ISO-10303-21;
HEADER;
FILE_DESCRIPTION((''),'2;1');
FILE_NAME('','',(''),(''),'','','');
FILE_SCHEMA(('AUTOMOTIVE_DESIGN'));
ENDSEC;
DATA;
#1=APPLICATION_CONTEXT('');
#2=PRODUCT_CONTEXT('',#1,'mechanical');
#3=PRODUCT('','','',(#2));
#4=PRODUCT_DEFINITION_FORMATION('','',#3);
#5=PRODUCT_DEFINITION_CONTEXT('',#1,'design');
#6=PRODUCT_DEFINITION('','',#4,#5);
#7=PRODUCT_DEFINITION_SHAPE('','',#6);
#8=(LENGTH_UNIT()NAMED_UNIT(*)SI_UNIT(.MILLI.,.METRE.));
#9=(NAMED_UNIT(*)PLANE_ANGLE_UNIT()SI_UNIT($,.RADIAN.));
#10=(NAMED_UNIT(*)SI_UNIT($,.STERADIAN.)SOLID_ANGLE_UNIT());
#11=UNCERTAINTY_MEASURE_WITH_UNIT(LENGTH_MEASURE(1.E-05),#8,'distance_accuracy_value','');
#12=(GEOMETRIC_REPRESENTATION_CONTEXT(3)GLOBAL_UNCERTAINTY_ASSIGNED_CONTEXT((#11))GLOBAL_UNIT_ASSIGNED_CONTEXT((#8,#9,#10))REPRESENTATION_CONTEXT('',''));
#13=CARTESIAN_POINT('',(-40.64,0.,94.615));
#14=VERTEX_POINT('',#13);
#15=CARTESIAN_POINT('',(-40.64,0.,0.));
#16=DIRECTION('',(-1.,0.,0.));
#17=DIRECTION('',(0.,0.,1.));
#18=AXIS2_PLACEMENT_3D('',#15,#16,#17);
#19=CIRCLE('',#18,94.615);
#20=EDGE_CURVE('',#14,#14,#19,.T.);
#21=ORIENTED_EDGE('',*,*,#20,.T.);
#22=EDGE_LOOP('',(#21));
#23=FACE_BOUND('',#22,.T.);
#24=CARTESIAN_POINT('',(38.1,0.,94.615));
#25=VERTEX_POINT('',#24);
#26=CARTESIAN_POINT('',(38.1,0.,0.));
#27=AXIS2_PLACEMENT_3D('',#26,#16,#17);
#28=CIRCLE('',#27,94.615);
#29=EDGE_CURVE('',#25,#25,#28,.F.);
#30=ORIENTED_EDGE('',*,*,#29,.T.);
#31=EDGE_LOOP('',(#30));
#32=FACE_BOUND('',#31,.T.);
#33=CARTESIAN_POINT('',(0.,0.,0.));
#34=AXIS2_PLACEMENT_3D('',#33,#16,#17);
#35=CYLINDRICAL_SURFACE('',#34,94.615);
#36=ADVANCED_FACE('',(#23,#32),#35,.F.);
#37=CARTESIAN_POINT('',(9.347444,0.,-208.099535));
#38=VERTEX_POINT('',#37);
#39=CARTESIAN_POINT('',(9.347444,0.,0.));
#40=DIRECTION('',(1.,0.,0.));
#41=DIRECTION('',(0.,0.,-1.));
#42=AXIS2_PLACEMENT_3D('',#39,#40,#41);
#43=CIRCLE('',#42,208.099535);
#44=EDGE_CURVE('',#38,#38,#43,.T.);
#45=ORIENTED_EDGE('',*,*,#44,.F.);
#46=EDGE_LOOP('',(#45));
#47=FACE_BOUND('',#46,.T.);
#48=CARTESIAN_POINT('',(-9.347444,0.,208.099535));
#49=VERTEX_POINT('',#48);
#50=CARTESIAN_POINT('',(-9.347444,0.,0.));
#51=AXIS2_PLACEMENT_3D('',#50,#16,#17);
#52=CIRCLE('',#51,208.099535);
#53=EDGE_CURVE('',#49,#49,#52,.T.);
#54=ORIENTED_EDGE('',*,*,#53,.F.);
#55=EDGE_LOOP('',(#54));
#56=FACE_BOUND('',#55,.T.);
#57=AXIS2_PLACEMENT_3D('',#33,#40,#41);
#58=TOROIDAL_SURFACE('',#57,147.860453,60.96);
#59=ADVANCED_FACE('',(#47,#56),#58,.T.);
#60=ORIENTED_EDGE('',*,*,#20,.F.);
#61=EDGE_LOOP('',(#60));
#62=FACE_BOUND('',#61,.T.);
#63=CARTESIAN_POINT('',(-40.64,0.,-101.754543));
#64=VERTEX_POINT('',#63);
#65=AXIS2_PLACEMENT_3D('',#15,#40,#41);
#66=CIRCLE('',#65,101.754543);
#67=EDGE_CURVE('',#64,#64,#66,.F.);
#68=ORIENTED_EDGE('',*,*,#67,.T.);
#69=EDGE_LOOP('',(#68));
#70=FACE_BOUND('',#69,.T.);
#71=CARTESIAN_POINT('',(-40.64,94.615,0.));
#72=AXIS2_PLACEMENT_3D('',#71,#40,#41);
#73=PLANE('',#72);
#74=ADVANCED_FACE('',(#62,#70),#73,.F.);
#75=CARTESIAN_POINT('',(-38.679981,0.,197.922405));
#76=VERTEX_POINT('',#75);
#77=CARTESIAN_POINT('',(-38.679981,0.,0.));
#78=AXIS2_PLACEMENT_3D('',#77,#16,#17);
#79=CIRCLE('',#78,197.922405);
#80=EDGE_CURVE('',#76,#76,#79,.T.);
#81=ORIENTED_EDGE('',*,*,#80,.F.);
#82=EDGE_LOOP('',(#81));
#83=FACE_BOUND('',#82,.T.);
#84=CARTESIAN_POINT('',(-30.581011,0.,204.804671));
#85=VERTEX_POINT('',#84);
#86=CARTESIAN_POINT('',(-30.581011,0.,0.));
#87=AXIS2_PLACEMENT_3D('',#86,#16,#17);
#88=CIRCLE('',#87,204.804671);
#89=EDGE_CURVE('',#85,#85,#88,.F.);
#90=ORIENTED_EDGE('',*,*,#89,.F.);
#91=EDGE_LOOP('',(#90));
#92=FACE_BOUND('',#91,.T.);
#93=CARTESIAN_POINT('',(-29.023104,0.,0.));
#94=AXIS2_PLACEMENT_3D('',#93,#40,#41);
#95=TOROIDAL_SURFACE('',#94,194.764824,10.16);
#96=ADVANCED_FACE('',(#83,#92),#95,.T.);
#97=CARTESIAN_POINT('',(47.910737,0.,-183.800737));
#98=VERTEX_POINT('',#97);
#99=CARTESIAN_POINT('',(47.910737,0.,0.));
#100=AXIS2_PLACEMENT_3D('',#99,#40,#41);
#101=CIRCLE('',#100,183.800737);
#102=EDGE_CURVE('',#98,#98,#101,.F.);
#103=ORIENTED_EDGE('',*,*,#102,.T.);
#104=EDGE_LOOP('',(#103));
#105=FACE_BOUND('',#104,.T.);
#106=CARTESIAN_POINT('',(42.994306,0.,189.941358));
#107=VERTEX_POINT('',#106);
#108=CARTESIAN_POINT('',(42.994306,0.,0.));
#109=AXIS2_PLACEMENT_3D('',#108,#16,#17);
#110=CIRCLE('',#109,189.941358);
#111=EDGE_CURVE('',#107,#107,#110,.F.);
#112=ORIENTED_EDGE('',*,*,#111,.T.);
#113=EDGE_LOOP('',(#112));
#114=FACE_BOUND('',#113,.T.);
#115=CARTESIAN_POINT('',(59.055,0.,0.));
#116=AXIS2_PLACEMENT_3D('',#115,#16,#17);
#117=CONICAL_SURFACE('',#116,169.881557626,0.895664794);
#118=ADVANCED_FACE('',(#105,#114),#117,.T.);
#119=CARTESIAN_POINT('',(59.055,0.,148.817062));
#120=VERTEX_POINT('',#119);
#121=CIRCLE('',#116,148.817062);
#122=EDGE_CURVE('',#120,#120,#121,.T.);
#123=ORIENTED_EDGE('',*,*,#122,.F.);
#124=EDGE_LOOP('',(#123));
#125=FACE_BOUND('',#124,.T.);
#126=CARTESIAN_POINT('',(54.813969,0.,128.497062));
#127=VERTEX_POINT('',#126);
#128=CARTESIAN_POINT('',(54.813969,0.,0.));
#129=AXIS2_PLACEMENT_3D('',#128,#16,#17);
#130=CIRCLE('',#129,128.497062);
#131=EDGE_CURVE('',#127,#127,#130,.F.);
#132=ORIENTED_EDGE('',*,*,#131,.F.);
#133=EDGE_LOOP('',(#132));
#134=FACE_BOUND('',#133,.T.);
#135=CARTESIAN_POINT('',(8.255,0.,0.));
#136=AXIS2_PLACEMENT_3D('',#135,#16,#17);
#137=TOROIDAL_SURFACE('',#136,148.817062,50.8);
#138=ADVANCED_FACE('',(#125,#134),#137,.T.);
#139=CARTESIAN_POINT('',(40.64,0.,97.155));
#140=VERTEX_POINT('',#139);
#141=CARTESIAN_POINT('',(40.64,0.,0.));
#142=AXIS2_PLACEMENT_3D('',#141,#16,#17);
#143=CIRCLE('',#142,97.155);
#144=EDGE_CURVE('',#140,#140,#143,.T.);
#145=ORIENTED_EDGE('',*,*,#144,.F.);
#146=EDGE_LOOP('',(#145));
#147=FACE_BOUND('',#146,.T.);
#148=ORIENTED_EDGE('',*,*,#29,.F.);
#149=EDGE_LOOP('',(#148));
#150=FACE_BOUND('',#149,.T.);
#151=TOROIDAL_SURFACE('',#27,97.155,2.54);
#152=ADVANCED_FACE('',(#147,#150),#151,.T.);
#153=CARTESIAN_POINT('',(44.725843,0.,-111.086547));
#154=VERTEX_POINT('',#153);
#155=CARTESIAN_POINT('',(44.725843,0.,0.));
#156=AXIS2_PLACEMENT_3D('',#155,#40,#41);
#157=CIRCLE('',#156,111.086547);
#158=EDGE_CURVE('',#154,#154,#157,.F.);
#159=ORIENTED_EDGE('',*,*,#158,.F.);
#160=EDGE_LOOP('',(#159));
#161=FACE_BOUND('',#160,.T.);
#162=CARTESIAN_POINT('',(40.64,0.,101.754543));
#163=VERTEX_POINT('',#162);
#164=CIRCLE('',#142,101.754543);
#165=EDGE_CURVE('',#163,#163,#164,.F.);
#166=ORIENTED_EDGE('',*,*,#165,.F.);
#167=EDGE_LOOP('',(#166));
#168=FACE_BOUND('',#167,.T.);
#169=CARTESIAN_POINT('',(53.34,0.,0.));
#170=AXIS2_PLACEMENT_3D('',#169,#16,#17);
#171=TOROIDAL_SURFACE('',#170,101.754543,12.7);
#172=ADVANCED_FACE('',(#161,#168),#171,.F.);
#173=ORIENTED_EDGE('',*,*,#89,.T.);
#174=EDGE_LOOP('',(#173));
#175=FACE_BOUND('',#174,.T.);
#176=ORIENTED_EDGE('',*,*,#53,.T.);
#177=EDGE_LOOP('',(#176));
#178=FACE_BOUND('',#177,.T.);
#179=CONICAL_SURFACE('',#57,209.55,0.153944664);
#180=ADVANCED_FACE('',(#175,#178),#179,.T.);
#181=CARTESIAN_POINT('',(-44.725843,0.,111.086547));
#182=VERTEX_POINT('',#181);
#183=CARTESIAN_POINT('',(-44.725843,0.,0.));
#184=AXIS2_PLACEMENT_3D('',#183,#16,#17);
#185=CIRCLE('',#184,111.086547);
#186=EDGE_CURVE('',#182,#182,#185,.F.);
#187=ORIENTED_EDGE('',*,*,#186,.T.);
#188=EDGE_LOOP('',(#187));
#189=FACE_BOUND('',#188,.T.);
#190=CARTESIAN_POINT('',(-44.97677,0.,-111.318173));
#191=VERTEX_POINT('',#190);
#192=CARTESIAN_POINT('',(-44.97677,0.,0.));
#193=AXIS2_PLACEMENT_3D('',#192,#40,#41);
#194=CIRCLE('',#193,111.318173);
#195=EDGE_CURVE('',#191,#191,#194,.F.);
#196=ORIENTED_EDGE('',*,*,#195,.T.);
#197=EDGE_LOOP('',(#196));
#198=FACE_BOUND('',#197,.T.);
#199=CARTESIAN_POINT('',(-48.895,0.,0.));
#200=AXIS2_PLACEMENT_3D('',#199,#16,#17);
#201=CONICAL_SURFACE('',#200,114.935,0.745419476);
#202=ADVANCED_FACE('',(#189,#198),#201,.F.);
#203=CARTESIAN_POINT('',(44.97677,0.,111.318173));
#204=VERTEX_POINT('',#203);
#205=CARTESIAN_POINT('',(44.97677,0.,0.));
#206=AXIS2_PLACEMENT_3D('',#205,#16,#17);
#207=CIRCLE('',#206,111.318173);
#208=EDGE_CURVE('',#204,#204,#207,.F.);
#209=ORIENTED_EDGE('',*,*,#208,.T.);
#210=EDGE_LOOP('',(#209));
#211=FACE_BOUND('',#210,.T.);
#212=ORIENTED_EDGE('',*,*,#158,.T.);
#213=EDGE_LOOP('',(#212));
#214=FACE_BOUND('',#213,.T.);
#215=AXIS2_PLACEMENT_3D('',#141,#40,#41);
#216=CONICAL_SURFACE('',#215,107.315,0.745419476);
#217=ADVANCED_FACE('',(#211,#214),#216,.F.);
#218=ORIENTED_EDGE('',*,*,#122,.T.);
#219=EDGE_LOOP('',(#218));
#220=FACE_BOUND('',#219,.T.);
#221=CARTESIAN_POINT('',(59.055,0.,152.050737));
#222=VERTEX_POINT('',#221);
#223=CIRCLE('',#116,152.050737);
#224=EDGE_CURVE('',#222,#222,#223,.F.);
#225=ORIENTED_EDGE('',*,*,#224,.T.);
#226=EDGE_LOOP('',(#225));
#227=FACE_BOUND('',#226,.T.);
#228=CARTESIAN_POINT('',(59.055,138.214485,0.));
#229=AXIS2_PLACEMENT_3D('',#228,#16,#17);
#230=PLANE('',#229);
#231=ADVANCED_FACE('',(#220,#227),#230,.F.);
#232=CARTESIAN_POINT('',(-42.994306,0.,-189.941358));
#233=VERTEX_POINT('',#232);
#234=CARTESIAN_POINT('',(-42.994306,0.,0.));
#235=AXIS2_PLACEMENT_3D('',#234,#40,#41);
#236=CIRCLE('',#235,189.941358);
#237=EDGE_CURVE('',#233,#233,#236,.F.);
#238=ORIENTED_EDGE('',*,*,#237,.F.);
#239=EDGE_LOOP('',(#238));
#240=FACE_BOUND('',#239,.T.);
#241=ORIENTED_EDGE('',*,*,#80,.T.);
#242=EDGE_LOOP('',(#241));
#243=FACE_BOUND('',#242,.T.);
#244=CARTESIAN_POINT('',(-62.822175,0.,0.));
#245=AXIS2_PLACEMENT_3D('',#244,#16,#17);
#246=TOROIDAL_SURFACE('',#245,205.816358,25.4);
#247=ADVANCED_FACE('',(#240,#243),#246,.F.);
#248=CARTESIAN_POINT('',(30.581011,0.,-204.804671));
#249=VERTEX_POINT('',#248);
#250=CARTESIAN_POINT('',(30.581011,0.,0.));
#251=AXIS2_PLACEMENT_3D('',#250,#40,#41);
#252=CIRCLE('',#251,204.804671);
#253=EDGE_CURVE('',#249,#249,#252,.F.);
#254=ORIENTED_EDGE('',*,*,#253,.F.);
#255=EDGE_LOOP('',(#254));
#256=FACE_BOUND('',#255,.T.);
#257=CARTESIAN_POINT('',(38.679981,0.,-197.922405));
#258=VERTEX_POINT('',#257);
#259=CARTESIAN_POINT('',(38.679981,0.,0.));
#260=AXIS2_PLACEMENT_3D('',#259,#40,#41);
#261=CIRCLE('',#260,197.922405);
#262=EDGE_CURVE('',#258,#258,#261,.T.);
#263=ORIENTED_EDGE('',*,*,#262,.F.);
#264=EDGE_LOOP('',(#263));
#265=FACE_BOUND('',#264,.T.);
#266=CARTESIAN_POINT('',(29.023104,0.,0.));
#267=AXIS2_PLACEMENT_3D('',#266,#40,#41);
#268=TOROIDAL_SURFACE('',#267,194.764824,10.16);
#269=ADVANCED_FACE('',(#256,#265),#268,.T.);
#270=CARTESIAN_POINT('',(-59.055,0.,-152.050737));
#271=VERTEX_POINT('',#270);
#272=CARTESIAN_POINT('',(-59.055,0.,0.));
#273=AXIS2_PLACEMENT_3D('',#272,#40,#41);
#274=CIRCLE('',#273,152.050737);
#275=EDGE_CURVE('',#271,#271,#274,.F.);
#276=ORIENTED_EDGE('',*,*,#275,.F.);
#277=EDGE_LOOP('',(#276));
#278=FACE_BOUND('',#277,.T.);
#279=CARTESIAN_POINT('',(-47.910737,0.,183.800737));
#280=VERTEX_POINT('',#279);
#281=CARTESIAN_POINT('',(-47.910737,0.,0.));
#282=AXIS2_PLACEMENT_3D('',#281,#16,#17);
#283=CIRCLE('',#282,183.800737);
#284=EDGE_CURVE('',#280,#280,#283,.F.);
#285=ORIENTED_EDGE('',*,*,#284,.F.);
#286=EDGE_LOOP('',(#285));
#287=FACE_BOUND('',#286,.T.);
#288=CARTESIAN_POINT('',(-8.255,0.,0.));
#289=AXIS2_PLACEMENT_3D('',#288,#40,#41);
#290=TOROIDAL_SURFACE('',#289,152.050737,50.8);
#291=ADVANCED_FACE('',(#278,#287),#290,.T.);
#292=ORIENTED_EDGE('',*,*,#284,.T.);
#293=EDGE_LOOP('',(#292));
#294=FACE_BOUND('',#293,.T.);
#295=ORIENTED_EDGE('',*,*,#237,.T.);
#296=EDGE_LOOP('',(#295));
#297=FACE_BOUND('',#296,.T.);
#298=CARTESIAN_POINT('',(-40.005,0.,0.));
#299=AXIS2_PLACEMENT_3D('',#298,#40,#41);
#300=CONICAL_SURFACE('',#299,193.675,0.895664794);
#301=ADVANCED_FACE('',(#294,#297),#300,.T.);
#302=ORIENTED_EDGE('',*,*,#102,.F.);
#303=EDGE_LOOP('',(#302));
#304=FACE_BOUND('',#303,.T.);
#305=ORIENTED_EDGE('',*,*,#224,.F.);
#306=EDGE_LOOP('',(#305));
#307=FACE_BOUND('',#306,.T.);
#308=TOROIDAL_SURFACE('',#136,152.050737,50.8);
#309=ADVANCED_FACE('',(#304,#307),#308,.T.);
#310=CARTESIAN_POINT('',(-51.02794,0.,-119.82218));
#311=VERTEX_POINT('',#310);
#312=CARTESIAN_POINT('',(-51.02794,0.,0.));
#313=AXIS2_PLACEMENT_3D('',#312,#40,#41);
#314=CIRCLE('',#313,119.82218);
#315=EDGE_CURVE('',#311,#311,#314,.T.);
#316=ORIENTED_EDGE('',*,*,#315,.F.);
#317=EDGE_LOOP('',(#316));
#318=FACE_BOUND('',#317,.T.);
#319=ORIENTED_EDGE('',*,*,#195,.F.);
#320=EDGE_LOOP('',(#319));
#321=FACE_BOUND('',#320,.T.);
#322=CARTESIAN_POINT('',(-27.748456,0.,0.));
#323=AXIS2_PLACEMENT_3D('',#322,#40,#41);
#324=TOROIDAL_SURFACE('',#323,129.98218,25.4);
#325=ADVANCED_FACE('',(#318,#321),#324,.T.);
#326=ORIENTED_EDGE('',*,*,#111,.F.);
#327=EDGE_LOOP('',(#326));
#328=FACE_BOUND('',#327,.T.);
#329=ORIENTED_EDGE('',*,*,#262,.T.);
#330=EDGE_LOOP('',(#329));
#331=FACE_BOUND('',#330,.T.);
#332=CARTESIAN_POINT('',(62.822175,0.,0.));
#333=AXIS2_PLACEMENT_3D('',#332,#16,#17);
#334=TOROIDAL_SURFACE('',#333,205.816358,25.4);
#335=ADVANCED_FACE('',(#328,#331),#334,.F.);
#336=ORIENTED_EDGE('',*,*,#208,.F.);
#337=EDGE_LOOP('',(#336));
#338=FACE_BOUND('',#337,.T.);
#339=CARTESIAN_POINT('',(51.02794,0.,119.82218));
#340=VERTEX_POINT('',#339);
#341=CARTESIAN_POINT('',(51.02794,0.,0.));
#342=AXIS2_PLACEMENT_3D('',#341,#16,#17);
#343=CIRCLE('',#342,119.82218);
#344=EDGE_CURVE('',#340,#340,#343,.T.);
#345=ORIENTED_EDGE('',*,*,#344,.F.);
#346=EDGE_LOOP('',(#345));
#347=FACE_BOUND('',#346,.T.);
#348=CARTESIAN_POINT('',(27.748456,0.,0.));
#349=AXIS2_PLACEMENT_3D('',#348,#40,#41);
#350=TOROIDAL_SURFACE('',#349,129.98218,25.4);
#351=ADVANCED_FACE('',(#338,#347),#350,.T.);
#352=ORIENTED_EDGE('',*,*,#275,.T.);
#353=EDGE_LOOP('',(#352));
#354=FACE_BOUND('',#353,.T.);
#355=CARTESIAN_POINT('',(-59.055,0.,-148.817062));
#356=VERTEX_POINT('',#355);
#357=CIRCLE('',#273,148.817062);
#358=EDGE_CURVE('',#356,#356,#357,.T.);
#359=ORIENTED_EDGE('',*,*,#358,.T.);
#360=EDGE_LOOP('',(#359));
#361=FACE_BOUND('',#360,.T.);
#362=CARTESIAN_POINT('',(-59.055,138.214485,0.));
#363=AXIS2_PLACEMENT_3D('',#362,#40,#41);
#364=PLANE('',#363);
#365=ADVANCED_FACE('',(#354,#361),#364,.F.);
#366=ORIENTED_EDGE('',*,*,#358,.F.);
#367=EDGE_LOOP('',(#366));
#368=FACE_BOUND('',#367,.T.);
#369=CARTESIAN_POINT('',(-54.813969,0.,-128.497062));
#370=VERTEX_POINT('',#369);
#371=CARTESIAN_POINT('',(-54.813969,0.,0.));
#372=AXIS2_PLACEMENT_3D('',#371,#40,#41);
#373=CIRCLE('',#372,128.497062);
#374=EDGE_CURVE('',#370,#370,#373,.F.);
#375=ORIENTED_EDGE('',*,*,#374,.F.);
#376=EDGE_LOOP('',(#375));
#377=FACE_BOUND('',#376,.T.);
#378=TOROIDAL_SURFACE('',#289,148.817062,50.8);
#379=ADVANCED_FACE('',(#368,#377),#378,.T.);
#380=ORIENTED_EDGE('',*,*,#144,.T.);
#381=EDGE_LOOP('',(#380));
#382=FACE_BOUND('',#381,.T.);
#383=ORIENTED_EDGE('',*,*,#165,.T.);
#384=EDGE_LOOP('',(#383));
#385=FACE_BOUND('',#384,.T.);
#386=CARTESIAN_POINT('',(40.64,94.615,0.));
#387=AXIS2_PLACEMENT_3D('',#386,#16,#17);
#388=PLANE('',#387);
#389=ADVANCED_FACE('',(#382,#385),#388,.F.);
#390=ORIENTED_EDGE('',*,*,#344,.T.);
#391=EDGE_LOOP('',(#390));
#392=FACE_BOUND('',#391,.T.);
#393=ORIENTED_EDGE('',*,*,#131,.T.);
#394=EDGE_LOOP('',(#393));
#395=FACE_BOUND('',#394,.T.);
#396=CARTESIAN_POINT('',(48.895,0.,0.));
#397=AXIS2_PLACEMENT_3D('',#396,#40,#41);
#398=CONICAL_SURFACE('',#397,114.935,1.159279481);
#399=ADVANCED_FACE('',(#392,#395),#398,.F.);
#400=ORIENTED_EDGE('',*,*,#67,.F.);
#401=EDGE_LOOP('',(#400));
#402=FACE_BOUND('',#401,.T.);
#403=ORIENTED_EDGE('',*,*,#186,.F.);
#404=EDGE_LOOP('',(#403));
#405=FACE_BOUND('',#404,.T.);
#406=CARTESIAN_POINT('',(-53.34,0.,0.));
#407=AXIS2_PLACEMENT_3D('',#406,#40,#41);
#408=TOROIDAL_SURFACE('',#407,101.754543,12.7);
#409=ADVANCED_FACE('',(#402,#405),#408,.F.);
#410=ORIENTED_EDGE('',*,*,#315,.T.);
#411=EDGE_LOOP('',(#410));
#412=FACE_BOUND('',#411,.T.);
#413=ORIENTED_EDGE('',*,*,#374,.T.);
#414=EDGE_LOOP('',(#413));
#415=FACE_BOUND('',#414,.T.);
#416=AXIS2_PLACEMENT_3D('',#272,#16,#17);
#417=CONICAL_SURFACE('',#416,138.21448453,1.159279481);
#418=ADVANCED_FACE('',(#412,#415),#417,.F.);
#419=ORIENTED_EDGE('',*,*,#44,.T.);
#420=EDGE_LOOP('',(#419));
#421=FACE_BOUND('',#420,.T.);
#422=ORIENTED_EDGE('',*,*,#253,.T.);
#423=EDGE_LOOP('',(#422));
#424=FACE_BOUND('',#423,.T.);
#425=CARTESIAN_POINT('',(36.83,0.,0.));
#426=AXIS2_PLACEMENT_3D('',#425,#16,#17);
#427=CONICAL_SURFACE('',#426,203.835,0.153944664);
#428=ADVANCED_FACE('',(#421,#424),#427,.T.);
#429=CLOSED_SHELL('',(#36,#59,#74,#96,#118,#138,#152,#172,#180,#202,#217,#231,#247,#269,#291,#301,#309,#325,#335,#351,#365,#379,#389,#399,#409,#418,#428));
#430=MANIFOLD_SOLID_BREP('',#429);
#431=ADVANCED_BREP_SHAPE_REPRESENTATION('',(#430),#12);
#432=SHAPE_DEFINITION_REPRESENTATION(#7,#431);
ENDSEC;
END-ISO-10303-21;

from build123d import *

# Parameters (mm, degrees)
FILLET1_R = 12.7
FILLET2_R = 25.4
FILLET3_R = 50.8
FILLET4_R = 50.8
FILLET5_R = 25.4
FILLET6_R = 10.16
FILLET7_R = 60.96
FILLET8_R = 2.54


with BuildPart() as part:
    # Sketch2 → Revolve2 (revolve)
    with BuildSketch(Plane.XY, mode=Mode.PRIVATE) as revolve2_sk:
        Polygon((40.64, 94.615), (40.64, 107.315), (48.895, 114.935), (59.055, 138.21448453), (59.055, 169.881557626), (40.005, 193.675), (36.83, 203.835), (0, 209.55), (-36.83, 203.835), (-40.005, 193.675), (-59.055, 169.881557626), (-59.055, 138.21448453), (-48.895, 114.935), (-40.64, 107.315), (-40.64, 94.615), align=None)
    revolve(revolve2_sk.sketch.rotate(Axis((0, 0, 0), (1, 0, 0)), 90), axis=Axis((0, 0, 0), (1, 0, 0)))

    # Fillet1
    fillet1_edges = [part.edges().sort_by_distance(p)[0] for p in [
        (40.64, 0, -107.315),
        (-40.64, 0, -107.315),
    ]]
    fillet(fillet1_edges, radius=FILLET1_R)

    # Fillet2
    fillet2_edges = [part.edges().sort_by_distance(p)[0] for p in [
        (48.895, 0, -114.935),
        (-48.895, 0, -114.935),
    ]]
    fillet(fillet2_edges, radius=FILLET2_R)

    # Fillet3
    fillet3_edges = [part.edges().sort_by_distance(p)[0] for p in [
        (59.055, 0, -138.21448453),
        (-59.055, 0, -138.21448453),
    ]]
    fillet(fillet3_edges, radius=FILLET3_R)

    # Fillet4
    fillet4_edges = [part.edges().sort_by_distance(p)[0] for p in [
        (59.055, 0, -169.881557626),
        (-59.055, 0, -169.881557626),
    ]]
    fillet(fillet4_edges, radius=FILLET4_R)

    # Fillet5
    fillet5_edges = [part.edges().sort_by_distance(p)[0] for p in [
        (40.005, 0, -193.675),
        (-40.005, 0, -193.675),
    ]]
    fillet(fillet5_edges, radius=FILLET5_R)

    # Fillet6
    fillet6_edges = [part.edges().sort_by_distance(p)[0] for p in [
        (36.83, 0, -203.835),
        (-36.83, 0, -203.835),
    ]]
    fillet(fillet6_edges, radius=FILLET6_R)

    # Fillet7
    fillet7_edges = [part.edges().sort_by_distance(p)[0] for p in [
        (0, 0, -209.55),
    ]]
    fillet(fillet7_edges, radius=FILLET7_R)

    # Fillet8
    fillet8_edges = [part.edges().sort_by_distance(p)[0] for p in [
        (40.64, 0, -94.615),
    ]]
    fillet(fillet8_edges, radius=FILLET8_R)


solid = part.part
